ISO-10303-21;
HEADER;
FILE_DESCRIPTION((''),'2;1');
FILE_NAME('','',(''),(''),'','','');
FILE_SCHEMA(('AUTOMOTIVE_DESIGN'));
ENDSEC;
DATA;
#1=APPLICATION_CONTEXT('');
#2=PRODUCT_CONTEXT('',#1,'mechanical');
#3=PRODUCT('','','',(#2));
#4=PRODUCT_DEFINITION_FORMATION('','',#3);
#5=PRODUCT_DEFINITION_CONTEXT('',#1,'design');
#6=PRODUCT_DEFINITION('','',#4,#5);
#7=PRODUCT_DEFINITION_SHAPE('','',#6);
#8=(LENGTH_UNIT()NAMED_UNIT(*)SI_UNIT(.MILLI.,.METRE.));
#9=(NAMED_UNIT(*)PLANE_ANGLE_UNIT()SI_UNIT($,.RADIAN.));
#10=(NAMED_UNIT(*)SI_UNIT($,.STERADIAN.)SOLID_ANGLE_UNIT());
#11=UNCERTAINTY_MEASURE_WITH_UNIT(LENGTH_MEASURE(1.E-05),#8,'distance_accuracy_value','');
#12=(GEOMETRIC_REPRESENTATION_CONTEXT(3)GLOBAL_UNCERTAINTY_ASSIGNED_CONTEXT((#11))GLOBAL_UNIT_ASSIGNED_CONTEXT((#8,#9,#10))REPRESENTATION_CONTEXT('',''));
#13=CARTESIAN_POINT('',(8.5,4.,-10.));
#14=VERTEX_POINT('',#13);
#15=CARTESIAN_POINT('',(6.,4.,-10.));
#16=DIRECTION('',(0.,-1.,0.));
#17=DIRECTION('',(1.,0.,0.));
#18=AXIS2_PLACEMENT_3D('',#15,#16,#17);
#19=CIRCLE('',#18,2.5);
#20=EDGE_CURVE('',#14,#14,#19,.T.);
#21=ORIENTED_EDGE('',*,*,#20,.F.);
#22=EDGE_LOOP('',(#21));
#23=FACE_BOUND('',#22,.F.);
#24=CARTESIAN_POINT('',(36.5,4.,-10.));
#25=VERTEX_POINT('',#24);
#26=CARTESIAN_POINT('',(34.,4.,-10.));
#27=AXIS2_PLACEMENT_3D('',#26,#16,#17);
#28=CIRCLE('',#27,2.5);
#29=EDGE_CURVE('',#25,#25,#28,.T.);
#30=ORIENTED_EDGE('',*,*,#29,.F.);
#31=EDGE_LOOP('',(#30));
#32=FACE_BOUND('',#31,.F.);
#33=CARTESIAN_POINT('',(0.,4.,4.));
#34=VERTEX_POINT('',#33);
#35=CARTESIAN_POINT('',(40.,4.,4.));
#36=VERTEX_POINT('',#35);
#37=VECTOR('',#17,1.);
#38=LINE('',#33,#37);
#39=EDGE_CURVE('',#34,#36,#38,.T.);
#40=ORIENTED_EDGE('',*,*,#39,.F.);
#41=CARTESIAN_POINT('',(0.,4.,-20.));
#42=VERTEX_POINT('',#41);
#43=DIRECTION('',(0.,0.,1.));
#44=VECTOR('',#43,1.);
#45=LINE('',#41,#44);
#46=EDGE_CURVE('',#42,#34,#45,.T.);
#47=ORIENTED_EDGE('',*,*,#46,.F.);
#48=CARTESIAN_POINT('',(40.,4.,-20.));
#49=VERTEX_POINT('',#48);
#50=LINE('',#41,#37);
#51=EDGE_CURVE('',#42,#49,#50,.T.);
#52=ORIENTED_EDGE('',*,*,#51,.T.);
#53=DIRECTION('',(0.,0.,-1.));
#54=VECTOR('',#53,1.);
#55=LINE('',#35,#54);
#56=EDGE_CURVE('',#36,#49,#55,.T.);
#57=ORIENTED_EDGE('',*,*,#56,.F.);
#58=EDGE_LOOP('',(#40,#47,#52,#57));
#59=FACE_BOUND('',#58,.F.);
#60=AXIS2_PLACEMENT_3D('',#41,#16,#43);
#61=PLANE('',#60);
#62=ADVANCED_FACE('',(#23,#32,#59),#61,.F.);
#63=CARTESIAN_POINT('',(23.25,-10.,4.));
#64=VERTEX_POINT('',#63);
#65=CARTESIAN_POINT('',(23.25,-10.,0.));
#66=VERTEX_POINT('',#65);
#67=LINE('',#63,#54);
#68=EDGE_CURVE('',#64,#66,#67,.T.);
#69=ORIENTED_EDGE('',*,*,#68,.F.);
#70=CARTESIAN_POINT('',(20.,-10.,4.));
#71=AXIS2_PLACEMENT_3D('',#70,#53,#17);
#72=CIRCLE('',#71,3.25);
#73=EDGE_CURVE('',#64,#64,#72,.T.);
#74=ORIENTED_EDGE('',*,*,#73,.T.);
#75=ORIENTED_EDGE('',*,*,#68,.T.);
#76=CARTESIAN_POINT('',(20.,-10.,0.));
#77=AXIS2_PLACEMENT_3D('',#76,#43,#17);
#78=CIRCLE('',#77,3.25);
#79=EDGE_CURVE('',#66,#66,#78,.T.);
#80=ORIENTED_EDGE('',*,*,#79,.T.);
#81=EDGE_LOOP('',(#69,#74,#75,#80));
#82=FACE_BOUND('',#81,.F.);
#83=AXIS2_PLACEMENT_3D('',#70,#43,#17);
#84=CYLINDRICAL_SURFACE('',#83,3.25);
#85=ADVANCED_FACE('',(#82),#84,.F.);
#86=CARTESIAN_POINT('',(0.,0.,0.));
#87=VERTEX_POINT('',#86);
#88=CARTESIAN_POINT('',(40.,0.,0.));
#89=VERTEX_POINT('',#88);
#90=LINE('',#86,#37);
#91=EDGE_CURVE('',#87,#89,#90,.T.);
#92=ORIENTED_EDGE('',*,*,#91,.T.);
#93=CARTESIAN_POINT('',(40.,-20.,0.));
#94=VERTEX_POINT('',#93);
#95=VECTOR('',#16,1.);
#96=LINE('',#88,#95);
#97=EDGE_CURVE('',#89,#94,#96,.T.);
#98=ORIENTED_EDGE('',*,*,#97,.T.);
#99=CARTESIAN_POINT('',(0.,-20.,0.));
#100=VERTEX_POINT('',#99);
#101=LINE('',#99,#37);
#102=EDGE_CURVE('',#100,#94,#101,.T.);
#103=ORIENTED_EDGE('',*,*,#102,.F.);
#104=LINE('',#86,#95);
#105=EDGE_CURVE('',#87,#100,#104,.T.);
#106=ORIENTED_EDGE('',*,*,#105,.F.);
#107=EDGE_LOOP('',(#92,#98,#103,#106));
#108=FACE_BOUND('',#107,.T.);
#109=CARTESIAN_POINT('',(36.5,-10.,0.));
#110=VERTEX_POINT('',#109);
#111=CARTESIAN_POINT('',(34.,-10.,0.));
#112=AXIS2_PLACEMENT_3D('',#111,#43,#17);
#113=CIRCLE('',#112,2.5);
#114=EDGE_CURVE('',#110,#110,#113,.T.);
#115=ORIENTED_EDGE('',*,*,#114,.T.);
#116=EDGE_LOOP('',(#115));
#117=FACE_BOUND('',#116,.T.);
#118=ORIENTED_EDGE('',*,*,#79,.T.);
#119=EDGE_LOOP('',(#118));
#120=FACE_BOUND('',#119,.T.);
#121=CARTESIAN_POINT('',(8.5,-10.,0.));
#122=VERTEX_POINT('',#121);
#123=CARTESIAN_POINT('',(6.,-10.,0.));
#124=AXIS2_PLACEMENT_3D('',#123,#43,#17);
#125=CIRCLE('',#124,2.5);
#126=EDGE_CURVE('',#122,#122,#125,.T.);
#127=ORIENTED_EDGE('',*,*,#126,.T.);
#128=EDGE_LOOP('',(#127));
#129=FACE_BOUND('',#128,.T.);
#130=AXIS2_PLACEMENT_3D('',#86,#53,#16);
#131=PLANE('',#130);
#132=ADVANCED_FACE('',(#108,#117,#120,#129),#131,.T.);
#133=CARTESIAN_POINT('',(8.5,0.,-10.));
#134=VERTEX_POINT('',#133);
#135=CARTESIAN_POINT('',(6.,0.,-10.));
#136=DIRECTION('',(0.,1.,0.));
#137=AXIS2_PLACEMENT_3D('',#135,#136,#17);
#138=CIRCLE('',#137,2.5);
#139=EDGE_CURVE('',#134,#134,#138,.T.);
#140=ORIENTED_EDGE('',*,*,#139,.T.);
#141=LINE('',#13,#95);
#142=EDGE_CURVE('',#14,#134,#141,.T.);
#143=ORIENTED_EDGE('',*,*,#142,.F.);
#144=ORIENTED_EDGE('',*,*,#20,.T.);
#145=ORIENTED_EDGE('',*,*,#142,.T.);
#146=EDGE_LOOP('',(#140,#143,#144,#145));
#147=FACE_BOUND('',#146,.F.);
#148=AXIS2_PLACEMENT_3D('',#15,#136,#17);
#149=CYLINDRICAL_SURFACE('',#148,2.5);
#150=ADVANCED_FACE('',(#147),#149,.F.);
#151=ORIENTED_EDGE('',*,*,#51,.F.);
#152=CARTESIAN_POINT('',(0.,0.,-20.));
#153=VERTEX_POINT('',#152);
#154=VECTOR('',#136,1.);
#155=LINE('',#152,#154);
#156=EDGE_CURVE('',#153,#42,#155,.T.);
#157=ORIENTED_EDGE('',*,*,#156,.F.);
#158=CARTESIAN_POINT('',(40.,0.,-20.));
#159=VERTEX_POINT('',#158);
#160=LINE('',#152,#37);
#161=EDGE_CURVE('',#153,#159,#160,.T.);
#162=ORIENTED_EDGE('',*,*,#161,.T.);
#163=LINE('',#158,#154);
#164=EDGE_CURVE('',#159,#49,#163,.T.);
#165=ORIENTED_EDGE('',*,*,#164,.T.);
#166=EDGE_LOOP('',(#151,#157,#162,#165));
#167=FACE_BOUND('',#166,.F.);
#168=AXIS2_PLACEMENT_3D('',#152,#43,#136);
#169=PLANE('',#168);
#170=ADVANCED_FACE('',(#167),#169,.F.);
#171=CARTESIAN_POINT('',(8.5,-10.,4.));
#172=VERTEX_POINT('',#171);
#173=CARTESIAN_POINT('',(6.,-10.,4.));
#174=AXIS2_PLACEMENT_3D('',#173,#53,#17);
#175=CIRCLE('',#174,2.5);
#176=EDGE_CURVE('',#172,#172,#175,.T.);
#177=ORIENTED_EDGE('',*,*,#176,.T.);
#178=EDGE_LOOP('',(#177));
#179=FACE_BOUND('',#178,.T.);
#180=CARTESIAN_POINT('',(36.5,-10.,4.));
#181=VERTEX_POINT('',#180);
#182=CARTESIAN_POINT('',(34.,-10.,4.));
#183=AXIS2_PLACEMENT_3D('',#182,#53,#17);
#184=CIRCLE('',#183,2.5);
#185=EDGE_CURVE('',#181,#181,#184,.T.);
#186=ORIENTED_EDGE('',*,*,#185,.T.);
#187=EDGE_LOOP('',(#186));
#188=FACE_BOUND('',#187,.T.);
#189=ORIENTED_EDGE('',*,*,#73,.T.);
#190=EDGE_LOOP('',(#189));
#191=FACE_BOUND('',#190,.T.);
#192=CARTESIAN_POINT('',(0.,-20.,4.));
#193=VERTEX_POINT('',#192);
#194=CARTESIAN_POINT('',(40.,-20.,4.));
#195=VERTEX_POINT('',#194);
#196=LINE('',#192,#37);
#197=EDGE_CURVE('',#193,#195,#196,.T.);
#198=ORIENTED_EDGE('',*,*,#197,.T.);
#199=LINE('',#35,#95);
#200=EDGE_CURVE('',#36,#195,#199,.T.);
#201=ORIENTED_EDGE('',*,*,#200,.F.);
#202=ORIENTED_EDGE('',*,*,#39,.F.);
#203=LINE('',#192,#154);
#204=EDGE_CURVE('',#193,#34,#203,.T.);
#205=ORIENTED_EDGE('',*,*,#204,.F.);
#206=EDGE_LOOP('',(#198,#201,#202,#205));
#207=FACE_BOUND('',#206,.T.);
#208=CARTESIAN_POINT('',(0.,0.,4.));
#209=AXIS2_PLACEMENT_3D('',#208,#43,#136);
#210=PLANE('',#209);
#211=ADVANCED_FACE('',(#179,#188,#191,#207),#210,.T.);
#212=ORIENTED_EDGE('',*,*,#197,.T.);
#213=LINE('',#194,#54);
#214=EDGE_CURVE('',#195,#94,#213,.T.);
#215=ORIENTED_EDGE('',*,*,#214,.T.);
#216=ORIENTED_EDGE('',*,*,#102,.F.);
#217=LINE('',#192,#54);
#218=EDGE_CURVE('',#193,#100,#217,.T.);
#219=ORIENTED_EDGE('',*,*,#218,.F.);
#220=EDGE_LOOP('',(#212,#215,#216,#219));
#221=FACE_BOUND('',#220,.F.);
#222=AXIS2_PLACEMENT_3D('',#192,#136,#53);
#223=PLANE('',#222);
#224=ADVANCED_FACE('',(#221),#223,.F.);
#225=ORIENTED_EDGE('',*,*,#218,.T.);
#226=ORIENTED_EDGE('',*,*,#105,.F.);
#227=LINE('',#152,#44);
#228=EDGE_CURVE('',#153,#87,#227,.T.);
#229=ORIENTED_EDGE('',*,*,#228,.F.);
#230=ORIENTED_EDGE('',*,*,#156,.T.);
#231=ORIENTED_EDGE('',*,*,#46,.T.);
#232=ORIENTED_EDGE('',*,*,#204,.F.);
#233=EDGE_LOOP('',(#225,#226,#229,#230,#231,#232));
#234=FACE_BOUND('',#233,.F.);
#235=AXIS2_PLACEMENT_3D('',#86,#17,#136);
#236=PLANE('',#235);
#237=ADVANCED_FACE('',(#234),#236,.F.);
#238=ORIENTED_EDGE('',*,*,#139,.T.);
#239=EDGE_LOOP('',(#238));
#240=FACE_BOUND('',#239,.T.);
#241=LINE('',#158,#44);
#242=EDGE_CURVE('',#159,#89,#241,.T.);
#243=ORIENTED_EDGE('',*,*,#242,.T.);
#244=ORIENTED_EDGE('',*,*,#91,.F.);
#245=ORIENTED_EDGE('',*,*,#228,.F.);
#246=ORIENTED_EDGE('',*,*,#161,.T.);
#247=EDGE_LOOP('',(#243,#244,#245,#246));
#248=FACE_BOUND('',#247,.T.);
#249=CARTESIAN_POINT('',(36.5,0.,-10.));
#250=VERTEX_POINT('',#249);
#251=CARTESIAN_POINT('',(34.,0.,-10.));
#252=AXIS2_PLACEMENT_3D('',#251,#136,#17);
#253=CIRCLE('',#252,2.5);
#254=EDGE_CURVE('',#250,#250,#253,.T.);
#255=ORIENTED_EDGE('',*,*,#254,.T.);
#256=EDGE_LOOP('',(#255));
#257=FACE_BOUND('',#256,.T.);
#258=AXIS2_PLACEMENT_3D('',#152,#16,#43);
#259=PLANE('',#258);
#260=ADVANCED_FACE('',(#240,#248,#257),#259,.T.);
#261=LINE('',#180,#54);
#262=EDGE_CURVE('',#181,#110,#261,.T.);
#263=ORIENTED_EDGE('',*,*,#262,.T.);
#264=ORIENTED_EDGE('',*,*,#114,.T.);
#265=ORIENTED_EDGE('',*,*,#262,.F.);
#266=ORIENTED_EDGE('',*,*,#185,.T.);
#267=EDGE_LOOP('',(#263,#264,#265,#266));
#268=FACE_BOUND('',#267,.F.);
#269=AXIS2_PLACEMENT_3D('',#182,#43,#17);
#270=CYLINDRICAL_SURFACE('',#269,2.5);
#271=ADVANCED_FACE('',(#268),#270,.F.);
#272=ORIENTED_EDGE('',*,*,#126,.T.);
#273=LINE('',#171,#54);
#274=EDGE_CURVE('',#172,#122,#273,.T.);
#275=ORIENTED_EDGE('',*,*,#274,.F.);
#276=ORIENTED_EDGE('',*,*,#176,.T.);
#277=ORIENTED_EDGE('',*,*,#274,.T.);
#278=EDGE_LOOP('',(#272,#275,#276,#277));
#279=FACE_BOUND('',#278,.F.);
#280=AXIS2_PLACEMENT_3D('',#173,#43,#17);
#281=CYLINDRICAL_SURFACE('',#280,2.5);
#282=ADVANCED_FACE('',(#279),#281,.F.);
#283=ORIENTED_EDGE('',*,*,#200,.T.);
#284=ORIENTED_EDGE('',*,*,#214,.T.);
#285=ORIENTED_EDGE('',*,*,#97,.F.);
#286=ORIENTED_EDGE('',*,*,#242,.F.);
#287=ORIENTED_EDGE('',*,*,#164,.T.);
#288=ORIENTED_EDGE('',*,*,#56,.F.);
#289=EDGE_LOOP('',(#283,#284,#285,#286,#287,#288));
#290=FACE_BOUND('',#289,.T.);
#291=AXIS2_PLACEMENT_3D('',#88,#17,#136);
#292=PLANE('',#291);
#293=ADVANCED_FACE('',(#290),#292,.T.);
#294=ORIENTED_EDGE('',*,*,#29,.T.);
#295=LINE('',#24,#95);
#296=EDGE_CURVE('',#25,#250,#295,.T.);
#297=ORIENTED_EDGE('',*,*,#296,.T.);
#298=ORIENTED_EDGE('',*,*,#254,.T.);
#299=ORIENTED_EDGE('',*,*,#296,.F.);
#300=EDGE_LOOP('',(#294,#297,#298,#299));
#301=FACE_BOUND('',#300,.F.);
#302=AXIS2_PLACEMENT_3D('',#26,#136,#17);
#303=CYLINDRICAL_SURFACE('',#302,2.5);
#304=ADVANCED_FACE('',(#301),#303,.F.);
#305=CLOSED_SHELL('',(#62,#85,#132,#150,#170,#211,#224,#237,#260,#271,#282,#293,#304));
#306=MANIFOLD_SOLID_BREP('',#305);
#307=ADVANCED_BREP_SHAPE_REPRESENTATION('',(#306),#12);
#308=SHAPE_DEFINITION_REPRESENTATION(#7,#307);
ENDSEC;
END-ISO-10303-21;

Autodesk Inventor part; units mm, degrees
ref_plane "YZ Plane" through (0, 0, 0) normal (1, 0, 0) x (0, 1, 0)
ref_plane "XZ Plane" through (0, 0, 0) normal (0, 1, 0) x (-1, 0, 0)
ref_plane "XY Plane" through (0, 0, 0) normal (0, 0, 1) x (1, 0, 0)
sketch "Sketch1" plane through (0, 0, 0) normal (1, 0, 0) x (0, 1, 0)
  line L0 (0, 0) -> (-20, 0)
  line L1 (-20, 0) -> (-20, -20)
  line L2 (-20, -20) -> (0, -20)
  line L3 (0, -20) -> (0, 0)
  line L4 (0, -20) -> (4, -20)
  line L5 (4, -20) -> (4, 0)
  line L6 (4, 0) -> (0, 0)
  line L7 (0, 0) -> (0, -20)
  line L8 (4, 0) -> (0, 0)
  line L9 (0, 0) -> (0, 4)
  line L10 (0, 4) -> (4, 4)
  line L11 (4, 4) -> (4, 0)
  line L12 (0, 4) -> (-20, 4)
  line L13 (-20, 4) -> (-20, 0)
  line L14 (-20, 0) -> (0, 0)
  line L15 (0, 0) -> (0, 4)
  dimension "d0" = 20
  dimension "d1" = 20
  dimension "d2" = 4
  dimension "d3" = 4
extrude "Extrusion1" add sketch "Sketch1" along normal blind 40 contours L6 L5 L4 L3 | L9 L10 L11 L6 | L0 L13 L12 L9
sketch "Sketch2" plane through (0, -20, 4) normal (0, 0, 1) x (1, 0, 0)
  line L0 (0, 0) -> (40, 0) projected
  line L1 (20, 0) -> (20, 10)
  circle A0 centre (20, 10) radius 3.25
  point P0 (0, 20)
  dimension "d6" = 10
  dimension "d7" = 6.5
extrude "Extrusion2" cut sketch "Sketch2" against normal through all
sketch "Sketch3" plane through (0, -20, 4) normal (0, 0, 1) x (1, 0, 0)
  line L0 (0, 0) -> (40, 0) projected
  line L1 (0, 0) -> (6, 0)
  line L2 (6, 0) -> (6, 10)
  line L3 (0, 20) -> (40, 20) projected
  line L4 (20, 0) -> (20, 3.9788)
  line L5 (40, 0) -> (0, 0)
  line L6 (34, 0) -> (34, 10)
  circle A0 centre (34, 10) radius 2.5
  circle A1 centre (6, 10) radius 2.5
  dimension "d10" = 6
  dimension "d11" = 10
  dimension "d12" = 5
  dimension "d13" = 5
extrude "Extrusion3" cut sketch "Sketch3" against normal blind 10
sketch "Sketch4" plane through (0, 4, 4) normal (0, 1, 0) x (1, 0, 0)
  line L0 (0, 24) -> (40, 24) projected
  line L1 (0, 24) -> (6, 24)
  line L2 (6, 24) -> (6, 14)
  line L3 (40, 24) -> (34, 24)
  line L4 (34, 24) -> (34, 14)
  circle A0 centre (34, 14) radius 2.5
  circle A1 centre (6, 14) radius 2.5
  point P0 (0, 4)
  dimension "d16" = 6
  dimension "d17" = 10
  dimension "d18" = 6
  dimension "d19" = 10
  dimension "d20" = 5
  dimension "d21" = 5
extrude "Extrusion4" cut sketch "Sketch4" against normal blind 10
properties part number "linac_lower_ax_mount_2"
